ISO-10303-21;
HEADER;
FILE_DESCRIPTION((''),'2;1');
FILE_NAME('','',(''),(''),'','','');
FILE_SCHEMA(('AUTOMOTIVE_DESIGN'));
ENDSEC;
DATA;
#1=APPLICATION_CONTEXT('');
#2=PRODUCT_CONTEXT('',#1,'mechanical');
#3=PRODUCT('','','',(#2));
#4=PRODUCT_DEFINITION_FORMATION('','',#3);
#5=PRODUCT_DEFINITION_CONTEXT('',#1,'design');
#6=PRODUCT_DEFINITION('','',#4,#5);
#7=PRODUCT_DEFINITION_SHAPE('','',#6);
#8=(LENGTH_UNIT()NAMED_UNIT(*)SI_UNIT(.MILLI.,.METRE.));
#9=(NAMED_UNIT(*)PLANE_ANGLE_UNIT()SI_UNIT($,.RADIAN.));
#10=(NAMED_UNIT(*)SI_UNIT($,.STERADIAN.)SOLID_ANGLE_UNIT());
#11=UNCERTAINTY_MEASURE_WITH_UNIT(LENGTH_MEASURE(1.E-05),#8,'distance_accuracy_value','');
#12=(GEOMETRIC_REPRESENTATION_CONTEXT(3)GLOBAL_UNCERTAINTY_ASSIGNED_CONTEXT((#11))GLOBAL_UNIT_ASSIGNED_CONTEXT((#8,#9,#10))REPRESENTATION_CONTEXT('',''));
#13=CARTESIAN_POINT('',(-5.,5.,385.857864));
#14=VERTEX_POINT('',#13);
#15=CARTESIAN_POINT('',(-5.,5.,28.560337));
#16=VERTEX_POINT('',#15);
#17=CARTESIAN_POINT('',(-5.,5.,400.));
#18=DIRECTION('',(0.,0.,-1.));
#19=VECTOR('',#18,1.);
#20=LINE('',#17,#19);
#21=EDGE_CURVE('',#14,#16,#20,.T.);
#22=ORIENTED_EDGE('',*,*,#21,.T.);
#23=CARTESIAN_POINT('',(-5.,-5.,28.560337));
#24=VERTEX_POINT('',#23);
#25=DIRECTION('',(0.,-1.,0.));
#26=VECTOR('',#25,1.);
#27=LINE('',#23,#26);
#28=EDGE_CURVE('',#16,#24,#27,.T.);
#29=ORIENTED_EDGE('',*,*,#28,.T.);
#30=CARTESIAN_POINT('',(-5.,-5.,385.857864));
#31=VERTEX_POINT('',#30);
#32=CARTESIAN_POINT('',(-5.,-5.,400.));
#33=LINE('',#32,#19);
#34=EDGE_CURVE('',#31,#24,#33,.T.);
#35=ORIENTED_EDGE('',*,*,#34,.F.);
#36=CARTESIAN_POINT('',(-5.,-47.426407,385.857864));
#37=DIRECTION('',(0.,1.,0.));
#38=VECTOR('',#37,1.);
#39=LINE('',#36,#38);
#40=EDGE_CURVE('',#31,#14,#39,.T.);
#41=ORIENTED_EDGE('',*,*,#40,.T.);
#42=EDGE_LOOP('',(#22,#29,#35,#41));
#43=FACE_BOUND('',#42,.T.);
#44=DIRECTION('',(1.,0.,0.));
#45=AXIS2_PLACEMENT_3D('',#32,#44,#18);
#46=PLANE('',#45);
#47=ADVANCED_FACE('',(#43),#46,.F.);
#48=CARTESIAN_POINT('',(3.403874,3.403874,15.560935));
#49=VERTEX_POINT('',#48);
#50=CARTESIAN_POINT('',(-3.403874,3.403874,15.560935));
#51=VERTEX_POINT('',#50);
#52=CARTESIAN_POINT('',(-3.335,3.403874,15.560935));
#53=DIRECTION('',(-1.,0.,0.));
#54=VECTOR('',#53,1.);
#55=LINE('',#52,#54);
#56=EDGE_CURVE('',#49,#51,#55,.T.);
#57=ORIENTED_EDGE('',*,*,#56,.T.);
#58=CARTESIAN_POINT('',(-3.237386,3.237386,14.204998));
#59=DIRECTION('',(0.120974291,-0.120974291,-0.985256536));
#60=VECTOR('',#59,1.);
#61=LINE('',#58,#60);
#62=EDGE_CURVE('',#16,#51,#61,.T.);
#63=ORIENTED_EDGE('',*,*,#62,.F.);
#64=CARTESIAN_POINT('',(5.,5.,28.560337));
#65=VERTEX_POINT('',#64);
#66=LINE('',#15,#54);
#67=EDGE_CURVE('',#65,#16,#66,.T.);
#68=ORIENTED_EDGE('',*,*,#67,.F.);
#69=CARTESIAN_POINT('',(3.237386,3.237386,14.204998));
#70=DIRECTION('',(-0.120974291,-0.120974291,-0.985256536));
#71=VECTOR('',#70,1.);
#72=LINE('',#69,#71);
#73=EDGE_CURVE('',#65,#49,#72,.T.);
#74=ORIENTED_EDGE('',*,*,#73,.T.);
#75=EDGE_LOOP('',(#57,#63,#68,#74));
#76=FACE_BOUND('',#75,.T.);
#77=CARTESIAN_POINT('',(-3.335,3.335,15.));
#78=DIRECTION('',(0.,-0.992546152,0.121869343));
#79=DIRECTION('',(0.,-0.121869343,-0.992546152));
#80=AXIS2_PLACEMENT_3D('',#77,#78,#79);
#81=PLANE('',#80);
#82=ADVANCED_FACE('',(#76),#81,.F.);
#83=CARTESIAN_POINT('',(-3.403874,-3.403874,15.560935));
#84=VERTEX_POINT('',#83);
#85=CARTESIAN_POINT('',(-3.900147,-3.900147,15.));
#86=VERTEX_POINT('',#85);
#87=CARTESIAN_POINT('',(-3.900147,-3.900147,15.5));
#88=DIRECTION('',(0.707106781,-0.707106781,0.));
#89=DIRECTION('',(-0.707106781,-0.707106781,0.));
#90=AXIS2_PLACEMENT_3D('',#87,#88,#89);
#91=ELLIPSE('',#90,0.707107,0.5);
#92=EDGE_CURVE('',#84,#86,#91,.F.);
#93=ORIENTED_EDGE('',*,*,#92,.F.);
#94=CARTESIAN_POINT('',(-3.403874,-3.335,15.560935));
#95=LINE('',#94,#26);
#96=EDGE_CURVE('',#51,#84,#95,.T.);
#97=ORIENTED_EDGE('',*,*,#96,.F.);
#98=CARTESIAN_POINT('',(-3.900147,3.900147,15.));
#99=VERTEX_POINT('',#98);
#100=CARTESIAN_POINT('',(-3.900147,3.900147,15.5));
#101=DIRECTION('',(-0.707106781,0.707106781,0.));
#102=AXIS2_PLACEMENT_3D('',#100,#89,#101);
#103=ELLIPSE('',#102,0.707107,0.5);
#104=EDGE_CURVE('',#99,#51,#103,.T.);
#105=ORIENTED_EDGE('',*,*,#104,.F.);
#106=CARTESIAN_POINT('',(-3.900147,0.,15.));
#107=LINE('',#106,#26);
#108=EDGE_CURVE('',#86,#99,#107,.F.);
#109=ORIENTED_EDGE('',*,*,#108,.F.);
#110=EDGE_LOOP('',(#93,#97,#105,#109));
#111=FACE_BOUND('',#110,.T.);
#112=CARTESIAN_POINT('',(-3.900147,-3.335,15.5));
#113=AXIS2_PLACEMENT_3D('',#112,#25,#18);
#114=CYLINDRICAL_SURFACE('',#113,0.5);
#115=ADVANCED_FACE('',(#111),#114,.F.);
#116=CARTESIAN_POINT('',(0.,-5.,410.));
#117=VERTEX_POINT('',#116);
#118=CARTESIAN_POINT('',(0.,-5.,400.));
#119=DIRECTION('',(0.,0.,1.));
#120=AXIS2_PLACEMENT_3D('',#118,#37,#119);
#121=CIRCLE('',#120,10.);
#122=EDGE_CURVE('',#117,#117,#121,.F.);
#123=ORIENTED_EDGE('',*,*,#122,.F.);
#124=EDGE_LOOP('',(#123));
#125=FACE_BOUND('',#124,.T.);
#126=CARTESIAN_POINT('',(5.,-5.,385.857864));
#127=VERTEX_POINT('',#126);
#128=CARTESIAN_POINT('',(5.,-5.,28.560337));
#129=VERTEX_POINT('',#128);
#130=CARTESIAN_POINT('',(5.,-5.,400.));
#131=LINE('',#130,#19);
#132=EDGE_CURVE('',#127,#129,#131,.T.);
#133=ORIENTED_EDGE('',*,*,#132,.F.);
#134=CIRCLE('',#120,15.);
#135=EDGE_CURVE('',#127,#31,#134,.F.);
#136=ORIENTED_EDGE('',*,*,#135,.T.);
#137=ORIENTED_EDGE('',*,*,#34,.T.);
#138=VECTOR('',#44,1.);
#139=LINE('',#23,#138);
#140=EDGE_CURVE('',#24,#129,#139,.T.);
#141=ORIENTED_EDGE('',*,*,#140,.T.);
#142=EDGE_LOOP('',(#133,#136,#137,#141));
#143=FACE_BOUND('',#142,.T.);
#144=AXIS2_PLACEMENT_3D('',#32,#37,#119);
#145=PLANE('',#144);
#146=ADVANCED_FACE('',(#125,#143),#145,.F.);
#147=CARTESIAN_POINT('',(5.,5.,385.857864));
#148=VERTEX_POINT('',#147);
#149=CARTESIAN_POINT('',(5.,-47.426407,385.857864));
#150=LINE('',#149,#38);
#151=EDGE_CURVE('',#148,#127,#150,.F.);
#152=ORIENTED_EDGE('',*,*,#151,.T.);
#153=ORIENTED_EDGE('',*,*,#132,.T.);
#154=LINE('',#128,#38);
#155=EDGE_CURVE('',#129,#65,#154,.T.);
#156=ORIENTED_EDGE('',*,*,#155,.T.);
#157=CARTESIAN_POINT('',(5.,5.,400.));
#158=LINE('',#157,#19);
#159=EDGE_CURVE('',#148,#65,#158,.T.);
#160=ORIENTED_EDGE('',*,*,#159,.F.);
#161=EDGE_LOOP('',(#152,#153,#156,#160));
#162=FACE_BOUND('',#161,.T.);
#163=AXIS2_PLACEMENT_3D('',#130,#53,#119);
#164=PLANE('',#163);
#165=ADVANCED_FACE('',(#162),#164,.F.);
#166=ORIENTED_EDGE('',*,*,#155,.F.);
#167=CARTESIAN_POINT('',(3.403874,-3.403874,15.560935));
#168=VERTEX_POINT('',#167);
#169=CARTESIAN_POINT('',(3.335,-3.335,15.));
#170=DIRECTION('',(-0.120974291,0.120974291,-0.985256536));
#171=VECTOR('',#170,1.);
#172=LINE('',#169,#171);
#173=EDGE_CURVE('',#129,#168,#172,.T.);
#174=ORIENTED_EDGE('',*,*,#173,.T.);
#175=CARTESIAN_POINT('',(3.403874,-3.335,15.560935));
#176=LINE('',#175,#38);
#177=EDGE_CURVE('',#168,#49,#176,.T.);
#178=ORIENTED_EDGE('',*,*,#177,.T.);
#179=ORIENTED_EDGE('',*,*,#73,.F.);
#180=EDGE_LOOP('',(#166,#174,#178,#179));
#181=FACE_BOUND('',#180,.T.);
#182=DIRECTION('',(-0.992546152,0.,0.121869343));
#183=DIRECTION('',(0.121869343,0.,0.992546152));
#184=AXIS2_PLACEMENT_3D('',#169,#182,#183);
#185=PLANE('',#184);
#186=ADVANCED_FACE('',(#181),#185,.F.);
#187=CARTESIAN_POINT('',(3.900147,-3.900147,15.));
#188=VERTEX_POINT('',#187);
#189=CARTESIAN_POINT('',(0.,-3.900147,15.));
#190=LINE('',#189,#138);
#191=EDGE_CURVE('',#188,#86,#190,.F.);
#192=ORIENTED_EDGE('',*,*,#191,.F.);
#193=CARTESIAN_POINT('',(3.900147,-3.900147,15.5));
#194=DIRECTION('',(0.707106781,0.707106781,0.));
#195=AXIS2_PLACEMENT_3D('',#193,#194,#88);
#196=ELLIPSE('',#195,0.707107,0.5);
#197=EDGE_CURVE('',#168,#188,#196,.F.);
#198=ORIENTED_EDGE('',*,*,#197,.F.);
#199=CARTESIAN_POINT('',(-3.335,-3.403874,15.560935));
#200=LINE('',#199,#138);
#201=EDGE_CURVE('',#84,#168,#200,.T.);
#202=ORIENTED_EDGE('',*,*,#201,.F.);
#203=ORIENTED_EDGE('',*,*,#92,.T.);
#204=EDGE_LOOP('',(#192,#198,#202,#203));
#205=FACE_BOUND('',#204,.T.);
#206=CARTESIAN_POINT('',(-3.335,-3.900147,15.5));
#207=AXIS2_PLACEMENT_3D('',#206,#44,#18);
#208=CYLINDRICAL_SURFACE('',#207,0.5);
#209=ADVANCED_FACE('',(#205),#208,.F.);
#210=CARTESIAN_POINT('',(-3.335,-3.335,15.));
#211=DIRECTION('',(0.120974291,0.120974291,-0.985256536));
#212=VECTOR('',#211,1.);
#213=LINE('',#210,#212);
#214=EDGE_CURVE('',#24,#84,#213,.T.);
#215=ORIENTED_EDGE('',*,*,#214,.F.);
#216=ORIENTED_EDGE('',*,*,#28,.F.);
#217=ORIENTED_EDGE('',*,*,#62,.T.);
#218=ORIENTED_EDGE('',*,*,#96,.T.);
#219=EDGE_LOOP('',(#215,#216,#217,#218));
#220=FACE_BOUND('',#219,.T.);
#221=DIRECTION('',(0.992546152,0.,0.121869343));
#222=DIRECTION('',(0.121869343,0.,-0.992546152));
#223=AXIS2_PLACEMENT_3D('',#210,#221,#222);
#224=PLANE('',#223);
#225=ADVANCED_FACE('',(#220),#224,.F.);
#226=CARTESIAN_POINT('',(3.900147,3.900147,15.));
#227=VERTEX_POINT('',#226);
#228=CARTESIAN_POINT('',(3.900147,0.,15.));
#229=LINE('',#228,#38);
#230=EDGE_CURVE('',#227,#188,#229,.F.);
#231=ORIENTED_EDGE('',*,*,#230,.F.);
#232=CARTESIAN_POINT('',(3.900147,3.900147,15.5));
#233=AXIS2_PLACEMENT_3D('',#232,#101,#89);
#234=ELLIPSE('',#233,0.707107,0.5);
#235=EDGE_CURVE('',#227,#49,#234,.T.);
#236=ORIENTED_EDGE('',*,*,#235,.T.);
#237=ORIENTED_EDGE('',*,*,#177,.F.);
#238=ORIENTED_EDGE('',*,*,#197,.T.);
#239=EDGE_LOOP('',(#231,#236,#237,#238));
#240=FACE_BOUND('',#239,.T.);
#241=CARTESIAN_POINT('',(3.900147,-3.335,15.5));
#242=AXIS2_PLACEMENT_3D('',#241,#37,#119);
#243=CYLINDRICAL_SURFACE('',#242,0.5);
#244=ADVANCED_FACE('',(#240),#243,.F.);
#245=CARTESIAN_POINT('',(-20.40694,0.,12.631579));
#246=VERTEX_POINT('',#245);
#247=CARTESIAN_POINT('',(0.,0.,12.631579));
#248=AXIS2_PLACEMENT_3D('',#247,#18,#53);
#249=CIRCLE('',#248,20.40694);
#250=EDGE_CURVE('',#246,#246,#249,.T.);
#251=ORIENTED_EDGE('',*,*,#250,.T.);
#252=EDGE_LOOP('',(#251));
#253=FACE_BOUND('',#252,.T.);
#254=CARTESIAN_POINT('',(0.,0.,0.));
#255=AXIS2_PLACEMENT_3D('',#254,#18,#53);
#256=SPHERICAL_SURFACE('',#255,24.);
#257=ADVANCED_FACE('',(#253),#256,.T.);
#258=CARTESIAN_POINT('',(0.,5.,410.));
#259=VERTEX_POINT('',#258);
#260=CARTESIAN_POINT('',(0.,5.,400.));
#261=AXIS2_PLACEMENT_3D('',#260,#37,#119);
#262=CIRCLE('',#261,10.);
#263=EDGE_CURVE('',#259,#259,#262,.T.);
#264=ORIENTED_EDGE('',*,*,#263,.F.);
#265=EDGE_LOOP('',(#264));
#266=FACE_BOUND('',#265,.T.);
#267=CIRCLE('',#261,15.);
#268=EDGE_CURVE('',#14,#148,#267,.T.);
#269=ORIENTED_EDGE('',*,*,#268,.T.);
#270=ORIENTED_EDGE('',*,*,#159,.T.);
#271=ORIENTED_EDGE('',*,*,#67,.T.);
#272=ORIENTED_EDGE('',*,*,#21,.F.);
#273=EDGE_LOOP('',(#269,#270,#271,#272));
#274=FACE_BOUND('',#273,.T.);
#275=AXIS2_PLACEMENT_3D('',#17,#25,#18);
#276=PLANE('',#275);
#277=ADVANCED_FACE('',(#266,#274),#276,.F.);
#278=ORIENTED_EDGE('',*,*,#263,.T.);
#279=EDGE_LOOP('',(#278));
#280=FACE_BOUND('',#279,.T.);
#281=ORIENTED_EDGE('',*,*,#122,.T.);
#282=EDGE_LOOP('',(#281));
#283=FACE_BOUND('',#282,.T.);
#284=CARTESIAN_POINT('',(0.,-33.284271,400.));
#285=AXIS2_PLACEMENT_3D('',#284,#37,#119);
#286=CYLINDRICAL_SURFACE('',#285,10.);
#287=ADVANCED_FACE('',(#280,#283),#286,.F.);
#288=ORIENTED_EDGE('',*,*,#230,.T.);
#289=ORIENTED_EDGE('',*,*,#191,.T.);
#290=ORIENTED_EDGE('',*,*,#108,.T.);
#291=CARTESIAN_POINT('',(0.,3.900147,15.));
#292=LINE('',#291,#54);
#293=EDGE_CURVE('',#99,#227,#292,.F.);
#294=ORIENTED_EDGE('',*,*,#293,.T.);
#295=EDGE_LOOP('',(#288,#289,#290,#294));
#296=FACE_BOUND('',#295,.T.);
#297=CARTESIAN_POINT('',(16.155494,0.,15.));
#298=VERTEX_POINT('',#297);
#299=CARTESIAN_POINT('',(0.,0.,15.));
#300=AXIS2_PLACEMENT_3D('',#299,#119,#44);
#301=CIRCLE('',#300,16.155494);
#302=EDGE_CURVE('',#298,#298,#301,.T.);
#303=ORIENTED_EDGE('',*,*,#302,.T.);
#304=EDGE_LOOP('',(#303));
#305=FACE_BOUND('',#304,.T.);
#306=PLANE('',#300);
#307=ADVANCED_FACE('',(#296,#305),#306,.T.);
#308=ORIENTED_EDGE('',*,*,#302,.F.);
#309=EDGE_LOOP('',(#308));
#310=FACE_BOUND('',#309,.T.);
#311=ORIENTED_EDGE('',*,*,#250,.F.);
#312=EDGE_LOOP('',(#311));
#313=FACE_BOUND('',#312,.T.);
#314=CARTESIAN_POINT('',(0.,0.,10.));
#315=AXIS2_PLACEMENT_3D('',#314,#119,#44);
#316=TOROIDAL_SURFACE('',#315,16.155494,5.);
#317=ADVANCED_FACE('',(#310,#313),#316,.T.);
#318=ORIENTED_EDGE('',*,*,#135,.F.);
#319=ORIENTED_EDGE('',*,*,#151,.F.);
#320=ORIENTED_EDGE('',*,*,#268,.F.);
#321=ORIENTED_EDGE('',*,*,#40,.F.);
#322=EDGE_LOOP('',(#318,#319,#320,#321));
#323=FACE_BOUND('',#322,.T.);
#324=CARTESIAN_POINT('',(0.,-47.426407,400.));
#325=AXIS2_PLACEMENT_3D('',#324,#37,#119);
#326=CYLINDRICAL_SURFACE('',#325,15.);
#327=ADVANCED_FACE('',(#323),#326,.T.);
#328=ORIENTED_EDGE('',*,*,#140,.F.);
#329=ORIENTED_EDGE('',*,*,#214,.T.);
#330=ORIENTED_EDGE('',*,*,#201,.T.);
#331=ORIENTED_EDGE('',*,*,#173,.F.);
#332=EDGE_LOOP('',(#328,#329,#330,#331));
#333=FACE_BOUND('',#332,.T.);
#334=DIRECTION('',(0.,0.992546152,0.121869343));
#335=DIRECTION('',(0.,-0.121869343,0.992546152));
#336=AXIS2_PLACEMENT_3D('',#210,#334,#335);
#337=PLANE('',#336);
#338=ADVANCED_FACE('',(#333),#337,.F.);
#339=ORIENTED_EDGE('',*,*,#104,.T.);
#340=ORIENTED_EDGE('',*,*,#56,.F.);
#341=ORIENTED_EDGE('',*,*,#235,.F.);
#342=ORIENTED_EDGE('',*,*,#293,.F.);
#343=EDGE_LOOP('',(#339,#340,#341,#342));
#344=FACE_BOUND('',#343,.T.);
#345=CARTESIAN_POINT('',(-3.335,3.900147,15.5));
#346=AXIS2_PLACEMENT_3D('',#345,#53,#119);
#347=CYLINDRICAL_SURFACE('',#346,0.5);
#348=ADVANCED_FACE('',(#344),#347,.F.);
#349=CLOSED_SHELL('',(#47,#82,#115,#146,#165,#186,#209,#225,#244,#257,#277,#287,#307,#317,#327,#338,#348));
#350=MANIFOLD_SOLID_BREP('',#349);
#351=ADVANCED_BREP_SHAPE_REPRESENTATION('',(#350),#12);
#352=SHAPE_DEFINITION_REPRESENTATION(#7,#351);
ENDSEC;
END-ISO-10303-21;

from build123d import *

# Parameters (mm, degrees)
SKETCH2_W           = 10
SKETCH2_H           = 10
BOSS_EXTRUDE1_DEPTH = 400
SKETCH3_R           = 15
BOSS_EXTRUDE2_DEPTH = 10
SKETCH4_R           = 10
CUT_EXTRUDE1_DEPTH  = 10
CUT_EXTRUDE2_START  = 15
SKETCH5_OUTSIDE_W   = 237.072
SKETCH5_OUTSIDE_H   = 237.072
SKETCH5_OUTSIDE_W_2 = 6.67
SKETCH5_OUTSIDE_H_2 = 6.67
CUT_EXTRUDE2_DEPTH  = 400
CUT_EXTRUDE2_TAPER  = 7
FILLET1_R           = 0.5
FILLET2_R           = 5


with BuildPart() as part:
    # Sketch1 → Revolve1 (revolve)
    with BuildSketch(Plane.XY):
        with BuildLine():
            Line((0, 24), (0, -24))
            ThreePointArc((0, -24), (24, 0), (0, 24))
        make_face()
    revolve(axis=Axis((0, 24, 0), (0, -1, 0)))

    # Sketch2 → Boss-Extrude1 (add)
    with BuildSketch(Plane.XY):
        Rectangle(SKETCH2_W, SKETCH2_H)
    extrude(amount=BOSS_EXTRUDE1_DEPTH)

    # Sketch3 → Boss-Extrude2 (add)
    with BuildSketch(Plane(origin=(0, 5, 0), x_dir=(1, 0, 0), z_dir=(0, 1, 0))):
        with Locations((0, -400)):
            Circle(SKETCH3_R)
    extrude(amount=-BOSS_EXTRUDE2_DEPTH)

    # Sketch4 → Cut-Extrude1 (cut)
    with BuildSketch(Plane(origin=(0, 5, 0), x_dir=(1, 0, 0), z_dir=(0, 1, 0))):
        with Locations(Location((0, -400, 0), (0, 0, 270))):
            Circle(SKETCH4_R)
    extrude(amount=-CUT_EXTRUDE1_DEPTH, mode=Mode.SUBTRACT)

    # Sketch5 outside → Cut-Extrude2 (cut)
    with BuildSketch(Plane.XY.offset(CUT_EXTRUDE2_START)):
        Rectangle(SKETCH5_OUTSIDE_W, SKETCH5_OUTSIDE_H)
        Rectangle(SKETCH5_OUTSIDE_W_2, SKETCH5_OUTSIDE_H_2, mode=Mode.SUBTRACT)
    extrude(amount=CUT_EXTRUDE2_DEPTH, taper=CUT_EXTRUDE2_TAPER, mode=Mode.SUBTRACT)

    # Fillet1
    fillet1_edges = [part.edges().sort_by_distance(p)[0] for p in [
        (3.335, 0, 15),
        (0, 3.335, 15),
        (-3.335, 0, 15),
        (0, -3.335, 15),
    ]]
    fillet(fillet1_edges, radius=FILLET1_R)

    # Fillet2
    fillet2_edges = [part.edges().sort_by_distance(p)[0] for p in [
        (0, -18.734993995, 15),
    ]]
    fillet(fillet2_edges, radius=FILLET2_R)


solid = part.part
